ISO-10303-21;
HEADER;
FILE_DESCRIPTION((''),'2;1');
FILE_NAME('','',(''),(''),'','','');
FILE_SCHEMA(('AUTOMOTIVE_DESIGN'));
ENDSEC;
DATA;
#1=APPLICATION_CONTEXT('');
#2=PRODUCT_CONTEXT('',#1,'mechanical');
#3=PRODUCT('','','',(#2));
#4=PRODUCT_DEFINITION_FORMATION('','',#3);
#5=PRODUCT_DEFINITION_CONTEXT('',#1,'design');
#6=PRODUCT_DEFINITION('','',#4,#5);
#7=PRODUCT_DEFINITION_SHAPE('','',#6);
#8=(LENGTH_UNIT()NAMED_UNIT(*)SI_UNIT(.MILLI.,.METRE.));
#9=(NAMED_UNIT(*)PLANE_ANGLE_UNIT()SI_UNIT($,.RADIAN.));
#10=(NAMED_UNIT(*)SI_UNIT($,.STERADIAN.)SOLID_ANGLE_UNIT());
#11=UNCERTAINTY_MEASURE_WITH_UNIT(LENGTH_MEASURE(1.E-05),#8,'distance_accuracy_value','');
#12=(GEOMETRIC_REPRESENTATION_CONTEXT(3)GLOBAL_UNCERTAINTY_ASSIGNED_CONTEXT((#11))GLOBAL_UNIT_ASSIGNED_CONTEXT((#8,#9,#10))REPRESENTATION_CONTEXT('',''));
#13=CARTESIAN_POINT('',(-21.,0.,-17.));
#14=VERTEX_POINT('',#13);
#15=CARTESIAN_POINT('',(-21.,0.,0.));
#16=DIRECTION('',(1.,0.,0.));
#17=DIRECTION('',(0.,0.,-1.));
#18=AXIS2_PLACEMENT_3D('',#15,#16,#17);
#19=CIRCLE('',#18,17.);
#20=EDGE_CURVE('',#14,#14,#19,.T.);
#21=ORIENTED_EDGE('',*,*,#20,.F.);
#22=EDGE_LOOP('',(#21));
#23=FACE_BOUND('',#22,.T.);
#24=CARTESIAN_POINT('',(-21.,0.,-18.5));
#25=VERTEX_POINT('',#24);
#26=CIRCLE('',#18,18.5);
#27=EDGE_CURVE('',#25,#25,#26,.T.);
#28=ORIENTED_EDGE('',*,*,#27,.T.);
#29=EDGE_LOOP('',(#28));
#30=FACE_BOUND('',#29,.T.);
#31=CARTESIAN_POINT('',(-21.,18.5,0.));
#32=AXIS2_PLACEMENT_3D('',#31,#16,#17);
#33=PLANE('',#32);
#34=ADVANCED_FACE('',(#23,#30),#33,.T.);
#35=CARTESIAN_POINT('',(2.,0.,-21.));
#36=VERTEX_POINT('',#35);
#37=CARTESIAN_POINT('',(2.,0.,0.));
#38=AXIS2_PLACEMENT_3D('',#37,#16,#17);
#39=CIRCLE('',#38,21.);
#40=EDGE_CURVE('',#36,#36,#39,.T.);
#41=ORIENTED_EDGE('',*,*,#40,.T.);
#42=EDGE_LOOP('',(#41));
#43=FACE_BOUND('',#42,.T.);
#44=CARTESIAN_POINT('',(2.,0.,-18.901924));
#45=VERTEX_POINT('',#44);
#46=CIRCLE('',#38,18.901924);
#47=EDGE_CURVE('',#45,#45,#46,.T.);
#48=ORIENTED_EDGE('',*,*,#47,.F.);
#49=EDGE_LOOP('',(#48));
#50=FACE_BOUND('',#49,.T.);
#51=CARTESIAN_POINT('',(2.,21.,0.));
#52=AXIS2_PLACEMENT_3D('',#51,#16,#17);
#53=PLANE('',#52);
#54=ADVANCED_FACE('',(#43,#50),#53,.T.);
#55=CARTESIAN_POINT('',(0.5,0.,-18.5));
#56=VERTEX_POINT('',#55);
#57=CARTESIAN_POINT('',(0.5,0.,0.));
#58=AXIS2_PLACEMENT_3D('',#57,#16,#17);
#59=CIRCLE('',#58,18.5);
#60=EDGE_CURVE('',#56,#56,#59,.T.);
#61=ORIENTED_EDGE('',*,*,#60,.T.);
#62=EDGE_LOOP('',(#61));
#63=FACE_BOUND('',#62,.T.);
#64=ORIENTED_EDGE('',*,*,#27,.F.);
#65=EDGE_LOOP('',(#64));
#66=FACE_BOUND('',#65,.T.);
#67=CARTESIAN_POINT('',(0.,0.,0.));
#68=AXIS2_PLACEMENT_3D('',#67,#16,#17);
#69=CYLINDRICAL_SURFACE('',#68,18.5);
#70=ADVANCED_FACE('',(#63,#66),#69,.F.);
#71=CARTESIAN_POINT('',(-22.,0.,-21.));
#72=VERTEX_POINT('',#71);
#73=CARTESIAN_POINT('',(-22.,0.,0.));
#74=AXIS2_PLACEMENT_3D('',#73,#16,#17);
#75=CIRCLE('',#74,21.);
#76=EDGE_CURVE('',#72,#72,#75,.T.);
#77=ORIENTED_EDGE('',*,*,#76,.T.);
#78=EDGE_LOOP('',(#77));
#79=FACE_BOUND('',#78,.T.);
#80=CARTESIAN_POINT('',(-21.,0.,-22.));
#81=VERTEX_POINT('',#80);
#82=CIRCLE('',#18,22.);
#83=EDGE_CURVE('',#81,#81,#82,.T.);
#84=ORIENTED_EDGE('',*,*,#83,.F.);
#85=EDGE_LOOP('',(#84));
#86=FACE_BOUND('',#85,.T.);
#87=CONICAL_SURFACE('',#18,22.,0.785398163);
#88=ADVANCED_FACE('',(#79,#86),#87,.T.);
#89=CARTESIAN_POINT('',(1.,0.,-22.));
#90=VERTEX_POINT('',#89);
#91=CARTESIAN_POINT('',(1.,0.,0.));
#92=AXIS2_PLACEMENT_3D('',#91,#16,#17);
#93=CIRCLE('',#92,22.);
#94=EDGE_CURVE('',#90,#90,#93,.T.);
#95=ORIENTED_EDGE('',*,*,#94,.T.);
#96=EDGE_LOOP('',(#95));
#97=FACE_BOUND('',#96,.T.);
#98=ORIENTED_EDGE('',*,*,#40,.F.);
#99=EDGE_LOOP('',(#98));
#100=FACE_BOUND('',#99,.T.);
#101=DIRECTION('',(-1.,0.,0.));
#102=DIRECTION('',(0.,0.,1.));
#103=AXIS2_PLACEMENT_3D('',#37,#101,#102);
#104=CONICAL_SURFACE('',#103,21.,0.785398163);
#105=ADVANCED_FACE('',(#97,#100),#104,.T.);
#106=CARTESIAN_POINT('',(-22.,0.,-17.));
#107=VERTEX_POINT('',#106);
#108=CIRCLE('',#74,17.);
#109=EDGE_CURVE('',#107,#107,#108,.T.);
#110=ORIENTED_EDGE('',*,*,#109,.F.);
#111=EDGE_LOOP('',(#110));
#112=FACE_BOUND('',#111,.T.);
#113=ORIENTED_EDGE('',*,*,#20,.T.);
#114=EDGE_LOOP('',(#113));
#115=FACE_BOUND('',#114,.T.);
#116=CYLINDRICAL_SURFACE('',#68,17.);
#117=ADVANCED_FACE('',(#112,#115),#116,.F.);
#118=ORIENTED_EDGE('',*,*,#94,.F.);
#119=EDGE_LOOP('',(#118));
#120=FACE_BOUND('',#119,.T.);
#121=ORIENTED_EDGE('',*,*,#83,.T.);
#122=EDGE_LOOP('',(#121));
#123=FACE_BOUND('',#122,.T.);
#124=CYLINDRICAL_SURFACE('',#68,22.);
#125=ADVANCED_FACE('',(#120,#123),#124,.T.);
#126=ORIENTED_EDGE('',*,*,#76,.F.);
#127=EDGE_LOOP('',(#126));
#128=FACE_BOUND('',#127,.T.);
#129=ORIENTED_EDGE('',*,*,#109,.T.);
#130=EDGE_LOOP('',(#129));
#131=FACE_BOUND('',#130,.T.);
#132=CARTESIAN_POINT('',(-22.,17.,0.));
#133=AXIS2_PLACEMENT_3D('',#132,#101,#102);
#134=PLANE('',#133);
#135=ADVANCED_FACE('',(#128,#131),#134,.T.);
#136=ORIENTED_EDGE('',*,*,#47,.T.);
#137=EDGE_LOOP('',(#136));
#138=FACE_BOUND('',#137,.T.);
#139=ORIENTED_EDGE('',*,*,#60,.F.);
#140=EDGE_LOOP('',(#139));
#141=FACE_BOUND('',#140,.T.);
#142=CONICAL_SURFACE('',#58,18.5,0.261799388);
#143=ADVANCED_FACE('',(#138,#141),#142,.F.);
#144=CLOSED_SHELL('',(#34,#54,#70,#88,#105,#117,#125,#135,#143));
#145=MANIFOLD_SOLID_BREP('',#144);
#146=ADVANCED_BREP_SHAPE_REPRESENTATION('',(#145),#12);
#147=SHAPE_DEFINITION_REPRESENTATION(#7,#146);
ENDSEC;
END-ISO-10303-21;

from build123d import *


with BuildPart() as part:
    # Esquisse1 → Révolution1 (revolve)
    with BuildSketch(Plane.XY, mode=Mode.PRIVATE) as r_volution1_sk:
        Polygon((-22, 17), (-22, 21), (-21, 22), (1, 22), (2, 21), (2, 18.901923789), (0.5, 18.5), (-21, 18.5), (-21, 17), align=None)
    revolve(r_volution1_sk.sketch.rotate(Axis((0, 0, 0), (-1, 0, 0)), 90), axis=Axis((0, 0, 0), (-1, 0, 0)))


solid = part.part
